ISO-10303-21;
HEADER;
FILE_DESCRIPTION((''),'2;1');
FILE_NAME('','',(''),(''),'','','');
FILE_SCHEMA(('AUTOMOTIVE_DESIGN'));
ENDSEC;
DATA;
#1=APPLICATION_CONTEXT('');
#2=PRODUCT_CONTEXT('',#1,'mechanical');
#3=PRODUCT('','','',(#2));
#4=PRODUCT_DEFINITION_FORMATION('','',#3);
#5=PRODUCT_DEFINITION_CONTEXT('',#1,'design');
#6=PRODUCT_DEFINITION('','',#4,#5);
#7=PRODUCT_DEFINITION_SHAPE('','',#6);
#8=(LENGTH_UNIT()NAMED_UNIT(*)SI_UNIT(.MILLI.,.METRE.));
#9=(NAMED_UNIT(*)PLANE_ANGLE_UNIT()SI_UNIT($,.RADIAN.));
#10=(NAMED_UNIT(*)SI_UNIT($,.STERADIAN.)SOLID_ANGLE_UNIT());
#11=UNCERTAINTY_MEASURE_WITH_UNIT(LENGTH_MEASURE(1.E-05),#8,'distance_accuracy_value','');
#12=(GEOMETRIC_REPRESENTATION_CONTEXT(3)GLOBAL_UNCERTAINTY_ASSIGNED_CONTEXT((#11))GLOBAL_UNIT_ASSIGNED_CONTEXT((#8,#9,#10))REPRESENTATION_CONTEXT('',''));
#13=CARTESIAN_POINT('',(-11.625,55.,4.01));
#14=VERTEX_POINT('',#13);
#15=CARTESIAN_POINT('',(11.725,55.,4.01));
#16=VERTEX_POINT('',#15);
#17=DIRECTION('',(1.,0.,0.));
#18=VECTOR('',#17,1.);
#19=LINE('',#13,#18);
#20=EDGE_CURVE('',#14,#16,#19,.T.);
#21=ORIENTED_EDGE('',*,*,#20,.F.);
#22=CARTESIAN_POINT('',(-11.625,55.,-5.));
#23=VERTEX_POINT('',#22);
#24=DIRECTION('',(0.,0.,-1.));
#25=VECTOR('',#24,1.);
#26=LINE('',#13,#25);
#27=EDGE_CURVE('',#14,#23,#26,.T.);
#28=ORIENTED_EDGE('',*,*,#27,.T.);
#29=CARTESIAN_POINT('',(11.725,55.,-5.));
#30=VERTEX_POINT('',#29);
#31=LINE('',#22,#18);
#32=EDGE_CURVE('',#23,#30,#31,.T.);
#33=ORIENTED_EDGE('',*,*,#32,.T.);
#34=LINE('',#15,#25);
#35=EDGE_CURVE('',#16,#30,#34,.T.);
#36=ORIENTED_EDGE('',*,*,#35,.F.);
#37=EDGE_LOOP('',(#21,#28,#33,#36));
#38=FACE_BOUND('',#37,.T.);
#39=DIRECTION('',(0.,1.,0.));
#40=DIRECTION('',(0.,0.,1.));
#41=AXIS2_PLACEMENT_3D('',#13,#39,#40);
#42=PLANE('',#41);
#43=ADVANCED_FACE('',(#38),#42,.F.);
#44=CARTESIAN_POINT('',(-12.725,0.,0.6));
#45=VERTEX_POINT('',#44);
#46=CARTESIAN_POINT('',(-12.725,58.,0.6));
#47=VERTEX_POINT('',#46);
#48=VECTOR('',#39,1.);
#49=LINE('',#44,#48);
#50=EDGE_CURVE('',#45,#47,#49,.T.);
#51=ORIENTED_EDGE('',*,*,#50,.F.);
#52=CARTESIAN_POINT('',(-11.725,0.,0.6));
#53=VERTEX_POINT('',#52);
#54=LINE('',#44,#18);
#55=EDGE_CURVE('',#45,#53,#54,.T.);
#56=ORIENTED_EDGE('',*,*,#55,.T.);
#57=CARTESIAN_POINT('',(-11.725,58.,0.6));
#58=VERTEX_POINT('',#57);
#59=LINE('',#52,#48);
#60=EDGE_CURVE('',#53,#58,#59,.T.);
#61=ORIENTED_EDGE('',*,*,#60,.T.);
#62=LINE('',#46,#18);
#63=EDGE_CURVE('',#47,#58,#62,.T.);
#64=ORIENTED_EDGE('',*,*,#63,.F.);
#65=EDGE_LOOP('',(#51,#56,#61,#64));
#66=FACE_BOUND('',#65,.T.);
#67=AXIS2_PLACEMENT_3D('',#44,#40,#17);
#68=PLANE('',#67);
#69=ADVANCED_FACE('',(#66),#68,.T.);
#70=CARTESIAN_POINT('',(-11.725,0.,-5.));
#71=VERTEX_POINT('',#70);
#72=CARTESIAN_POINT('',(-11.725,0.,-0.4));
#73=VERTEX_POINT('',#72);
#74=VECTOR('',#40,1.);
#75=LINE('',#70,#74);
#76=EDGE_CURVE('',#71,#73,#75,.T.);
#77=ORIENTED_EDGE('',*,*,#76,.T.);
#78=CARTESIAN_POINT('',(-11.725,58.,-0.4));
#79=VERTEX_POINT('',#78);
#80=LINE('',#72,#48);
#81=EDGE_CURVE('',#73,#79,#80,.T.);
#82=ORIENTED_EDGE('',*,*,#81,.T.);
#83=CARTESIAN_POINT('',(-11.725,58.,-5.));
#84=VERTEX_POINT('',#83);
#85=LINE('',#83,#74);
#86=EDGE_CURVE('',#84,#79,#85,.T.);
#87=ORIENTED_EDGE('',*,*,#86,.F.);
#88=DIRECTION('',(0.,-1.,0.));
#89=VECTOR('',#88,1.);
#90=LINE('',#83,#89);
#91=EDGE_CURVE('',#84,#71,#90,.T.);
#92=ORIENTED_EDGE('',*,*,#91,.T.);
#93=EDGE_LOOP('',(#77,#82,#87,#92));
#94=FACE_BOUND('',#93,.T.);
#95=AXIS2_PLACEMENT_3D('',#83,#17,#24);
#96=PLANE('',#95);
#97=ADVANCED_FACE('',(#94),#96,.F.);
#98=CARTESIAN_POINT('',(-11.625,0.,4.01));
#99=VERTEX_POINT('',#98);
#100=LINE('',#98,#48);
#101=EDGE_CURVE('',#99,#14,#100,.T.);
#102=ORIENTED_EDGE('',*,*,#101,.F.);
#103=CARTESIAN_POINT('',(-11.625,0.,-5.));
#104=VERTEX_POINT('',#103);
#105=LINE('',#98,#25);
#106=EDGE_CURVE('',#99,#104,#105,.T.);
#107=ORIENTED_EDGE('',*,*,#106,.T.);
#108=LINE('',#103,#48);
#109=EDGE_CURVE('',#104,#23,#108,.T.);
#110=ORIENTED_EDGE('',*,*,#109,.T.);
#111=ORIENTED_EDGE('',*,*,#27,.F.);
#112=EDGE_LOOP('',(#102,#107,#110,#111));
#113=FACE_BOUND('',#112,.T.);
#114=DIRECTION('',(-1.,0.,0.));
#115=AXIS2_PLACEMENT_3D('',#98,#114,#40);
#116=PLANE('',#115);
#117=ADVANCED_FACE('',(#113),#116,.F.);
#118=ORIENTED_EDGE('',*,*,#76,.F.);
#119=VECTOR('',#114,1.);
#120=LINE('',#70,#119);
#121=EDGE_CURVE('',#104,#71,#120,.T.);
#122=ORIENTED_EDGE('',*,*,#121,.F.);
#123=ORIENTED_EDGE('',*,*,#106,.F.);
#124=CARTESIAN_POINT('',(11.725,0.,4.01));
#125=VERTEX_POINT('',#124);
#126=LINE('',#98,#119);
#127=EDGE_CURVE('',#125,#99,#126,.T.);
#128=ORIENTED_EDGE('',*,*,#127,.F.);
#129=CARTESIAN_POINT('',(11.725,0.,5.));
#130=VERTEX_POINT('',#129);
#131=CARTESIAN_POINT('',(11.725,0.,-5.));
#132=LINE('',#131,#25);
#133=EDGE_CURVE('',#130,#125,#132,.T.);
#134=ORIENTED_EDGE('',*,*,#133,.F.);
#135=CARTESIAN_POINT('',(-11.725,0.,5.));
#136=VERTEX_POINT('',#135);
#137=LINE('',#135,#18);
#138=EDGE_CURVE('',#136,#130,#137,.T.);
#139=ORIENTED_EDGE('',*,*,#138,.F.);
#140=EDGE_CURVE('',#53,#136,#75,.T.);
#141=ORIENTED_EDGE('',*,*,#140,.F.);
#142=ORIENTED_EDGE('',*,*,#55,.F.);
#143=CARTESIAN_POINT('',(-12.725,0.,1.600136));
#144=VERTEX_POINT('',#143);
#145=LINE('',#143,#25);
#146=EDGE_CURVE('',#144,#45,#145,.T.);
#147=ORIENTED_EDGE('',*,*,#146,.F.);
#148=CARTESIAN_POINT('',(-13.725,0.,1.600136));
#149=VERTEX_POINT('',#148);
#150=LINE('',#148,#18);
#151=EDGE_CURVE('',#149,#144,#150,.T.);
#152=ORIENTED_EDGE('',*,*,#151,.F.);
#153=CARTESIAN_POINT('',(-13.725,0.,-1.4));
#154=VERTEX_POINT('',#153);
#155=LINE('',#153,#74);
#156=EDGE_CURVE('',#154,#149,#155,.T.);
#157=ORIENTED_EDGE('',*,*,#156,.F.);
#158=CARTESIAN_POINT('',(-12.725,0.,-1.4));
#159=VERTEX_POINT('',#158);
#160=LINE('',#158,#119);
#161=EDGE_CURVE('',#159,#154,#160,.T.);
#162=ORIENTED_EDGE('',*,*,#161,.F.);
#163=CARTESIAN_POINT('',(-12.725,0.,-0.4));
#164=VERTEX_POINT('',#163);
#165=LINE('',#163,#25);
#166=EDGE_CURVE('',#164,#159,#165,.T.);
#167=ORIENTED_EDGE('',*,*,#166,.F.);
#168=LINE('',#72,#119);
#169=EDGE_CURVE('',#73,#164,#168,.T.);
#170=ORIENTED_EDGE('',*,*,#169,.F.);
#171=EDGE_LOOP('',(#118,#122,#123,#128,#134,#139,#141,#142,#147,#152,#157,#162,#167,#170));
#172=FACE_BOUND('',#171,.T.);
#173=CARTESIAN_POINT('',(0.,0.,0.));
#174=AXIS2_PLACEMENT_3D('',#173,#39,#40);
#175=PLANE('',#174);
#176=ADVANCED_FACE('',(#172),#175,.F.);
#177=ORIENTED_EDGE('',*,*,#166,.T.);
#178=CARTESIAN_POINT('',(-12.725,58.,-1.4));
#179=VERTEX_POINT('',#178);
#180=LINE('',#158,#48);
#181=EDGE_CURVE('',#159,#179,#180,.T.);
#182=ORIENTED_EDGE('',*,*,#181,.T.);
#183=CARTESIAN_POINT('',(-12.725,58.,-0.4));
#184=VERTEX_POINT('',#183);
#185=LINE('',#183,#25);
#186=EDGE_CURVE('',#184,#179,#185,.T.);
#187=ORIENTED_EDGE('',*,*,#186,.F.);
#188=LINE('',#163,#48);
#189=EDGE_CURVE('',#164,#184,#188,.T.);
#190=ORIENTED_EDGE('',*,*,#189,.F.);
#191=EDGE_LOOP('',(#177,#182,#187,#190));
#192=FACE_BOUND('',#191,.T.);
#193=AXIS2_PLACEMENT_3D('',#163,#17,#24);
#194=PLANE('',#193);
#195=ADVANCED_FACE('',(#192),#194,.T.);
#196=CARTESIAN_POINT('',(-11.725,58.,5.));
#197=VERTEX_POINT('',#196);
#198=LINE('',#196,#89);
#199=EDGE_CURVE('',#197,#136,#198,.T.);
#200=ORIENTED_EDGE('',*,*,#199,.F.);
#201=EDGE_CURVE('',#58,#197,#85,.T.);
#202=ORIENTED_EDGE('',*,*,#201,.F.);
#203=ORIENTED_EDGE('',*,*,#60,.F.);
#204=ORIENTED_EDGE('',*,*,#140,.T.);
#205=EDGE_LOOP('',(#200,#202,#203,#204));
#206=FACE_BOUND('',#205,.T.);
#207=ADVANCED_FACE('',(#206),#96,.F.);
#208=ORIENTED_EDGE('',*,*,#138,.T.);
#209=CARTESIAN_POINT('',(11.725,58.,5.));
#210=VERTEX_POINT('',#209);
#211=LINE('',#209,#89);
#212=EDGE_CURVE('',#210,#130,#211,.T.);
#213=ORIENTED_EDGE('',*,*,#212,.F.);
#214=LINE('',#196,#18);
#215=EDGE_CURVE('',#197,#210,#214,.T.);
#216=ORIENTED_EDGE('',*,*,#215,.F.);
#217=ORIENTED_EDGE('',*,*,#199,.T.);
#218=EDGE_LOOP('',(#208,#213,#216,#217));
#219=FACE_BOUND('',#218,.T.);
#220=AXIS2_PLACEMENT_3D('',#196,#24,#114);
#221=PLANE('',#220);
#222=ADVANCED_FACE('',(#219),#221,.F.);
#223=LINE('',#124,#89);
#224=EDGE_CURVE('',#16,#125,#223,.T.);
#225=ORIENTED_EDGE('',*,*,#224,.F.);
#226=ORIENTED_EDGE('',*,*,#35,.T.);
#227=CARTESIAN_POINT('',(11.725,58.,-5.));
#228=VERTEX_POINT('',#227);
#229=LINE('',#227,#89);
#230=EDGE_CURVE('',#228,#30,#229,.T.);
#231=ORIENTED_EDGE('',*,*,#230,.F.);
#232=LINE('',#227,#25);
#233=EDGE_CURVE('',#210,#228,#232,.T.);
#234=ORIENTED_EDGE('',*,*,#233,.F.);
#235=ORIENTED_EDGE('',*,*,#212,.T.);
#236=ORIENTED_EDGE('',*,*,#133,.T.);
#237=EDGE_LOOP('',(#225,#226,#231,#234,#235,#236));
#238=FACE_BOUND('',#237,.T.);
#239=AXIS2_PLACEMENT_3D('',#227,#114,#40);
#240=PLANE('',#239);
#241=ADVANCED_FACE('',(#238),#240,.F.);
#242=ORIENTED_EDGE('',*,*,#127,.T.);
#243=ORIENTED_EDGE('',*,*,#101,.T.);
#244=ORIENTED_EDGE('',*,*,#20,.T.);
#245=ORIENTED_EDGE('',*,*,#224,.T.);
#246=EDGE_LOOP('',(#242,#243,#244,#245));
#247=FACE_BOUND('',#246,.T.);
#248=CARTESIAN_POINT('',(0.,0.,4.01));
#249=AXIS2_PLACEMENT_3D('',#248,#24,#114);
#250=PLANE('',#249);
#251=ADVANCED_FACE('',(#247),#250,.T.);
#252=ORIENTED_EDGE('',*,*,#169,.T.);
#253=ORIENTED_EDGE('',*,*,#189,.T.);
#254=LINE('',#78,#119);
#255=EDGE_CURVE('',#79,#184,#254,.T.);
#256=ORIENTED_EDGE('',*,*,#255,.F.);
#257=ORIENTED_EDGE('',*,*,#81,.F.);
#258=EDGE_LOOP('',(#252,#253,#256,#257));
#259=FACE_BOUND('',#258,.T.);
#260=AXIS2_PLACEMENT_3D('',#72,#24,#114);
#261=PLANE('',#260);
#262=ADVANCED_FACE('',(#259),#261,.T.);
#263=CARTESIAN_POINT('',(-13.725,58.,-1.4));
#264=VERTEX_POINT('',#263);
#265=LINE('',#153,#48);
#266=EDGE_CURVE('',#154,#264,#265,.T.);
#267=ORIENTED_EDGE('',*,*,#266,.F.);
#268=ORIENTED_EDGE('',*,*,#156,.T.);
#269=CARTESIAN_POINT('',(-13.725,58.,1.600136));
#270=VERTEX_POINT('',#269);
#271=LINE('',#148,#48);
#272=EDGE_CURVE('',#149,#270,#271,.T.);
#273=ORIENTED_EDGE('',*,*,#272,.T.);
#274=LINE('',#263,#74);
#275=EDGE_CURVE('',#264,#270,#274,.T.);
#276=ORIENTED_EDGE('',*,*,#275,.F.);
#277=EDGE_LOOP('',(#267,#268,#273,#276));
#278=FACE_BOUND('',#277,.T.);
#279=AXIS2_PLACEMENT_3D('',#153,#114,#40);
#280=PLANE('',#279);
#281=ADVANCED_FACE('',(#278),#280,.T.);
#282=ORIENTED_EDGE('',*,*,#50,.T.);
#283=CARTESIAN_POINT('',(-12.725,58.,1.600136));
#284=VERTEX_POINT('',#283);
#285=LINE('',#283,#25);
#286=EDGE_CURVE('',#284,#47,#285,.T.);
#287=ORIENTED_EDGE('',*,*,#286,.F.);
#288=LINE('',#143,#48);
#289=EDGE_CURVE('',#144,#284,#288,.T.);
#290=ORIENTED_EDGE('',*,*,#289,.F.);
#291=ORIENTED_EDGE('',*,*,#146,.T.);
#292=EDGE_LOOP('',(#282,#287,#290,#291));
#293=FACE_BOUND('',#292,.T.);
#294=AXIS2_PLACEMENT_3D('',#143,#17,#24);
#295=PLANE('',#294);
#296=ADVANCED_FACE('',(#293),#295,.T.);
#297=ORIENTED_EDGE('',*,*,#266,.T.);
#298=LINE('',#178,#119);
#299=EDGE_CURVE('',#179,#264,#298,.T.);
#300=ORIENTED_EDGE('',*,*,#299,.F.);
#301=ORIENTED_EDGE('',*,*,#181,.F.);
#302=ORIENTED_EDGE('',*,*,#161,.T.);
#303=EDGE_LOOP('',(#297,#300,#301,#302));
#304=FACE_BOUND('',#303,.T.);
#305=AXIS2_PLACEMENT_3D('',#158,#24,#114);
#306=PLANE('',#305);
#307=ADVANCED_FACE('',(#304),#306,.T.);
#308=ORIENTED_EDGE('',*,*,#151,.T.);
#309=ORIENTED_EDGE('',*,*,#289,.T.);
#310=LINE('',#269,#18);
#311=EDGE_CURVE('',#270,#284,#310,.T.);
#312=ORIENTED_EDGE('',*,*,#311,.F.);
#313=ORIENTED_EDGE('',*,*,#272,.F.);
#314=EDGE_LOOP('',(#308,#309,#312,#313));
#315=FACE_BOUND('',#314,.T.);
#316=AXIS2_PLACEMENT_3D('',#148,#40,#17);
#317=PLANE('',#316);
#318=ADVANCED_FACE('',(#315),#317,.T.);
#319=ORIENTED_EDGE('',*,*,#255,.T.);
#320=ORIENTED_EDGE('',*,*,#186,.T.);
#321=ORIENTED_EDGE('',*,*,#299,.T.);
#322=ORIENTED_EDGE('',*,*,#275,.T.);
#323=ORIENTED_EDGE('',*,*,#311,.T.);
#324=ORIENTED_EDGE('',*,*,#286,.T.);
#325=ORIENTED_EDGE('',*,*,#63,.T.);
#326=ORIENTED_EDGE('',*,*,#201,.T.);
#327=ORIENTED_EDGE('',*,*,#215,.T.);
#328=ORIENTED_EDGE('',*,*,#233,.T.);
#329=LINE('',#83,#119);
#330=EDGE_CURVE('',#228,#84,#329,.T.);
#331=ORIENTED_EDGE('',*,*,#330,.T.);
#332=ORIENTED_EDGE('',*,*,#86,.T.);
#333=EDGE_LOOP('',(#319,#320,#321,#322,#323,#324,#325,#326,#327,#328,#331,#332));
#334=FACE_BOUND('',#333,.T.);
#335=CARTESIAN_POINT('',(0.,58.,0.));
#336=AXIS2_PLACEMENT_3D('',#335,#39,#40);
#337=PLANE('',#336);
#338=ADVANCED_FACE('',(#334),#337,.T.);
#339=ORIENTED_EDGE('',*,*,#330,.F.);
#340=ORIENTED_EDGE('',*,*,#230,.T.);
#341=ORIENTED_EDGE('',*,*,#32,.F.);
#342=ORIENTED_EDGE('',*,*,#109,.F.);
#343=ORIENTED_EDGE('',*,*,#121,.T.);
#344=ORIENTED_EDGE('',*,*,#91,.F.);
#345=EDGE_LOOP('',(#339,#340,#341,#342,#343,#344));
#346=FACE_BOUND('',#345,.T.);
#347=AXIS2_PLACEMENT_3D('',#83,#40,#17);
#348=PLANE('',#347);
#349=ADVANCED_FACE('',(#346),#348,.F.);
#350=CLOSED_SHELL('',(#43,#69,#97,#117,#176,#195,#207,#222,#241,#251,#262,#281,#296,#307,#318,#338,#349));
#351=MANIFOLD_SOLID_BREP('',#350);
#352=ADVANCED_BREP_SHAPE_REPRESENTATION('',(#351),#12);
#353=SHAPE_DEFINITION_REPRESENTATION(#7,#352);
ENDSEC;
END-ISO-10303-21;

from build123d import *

# Parameters (mm, degrees)
SKETCH_1_W          = 23.45
SKETCH_1_H          = 10
EXTRUDE_1_DEPTH     = 58
EXTRUDE_2_DEPTH     = 58
SKETCH_5_W          = 23.35
SKETCH_5_H          = 55
CUT_EXTRUDE_2_DEPTH = 9.01


with BuildPart() as part:
    # 草圖1 → 填料-伸長1 (new body)
    with BuildSketch(Plane(origin=(0, 0, 0), x_dir=(1, 0, 0), z_dir=(0, 1, 0))):
        Rectangle(SKETCH_1_W, SKETCH_1_H)
    extrude(amount=EXTRUDE_1_DEPTH)

    # 草圖3 → 填料-伸長2 (add)
    with BuildSketch(Plane(origin=(0, 58, 0), x_dir=(1, 0, 0), z_dir=(0, 1, 0))):
        Polygon((-11.725, 0.4), (-12.725, 0.4), (-12.725, 1.4), (-13.725, 1.4), (-13.725, -1.60013631), (-12.725, -1.60013631), (-12.725, -0.6), (-11.725, -0.6), align=None)
    extrude(amount=-EXTRUDE_2_DEPTH)

    # 草圖5 → 除料-伸長2 (cut)
    with BuildSketch(Plane(origin=(0, 0, -5), x_dir=(-1, 0, 0), z_dir=(0, 0, -1))):
        with Locations((-0.05, 27.5)):
            Rectangle(SKETCH_5_W, SKETCH_5_H)
    extrude(amount=-CUT_EXTRUDE_2_DEPTH, mode=Mode.SUBTRACT)


solid = part.part
